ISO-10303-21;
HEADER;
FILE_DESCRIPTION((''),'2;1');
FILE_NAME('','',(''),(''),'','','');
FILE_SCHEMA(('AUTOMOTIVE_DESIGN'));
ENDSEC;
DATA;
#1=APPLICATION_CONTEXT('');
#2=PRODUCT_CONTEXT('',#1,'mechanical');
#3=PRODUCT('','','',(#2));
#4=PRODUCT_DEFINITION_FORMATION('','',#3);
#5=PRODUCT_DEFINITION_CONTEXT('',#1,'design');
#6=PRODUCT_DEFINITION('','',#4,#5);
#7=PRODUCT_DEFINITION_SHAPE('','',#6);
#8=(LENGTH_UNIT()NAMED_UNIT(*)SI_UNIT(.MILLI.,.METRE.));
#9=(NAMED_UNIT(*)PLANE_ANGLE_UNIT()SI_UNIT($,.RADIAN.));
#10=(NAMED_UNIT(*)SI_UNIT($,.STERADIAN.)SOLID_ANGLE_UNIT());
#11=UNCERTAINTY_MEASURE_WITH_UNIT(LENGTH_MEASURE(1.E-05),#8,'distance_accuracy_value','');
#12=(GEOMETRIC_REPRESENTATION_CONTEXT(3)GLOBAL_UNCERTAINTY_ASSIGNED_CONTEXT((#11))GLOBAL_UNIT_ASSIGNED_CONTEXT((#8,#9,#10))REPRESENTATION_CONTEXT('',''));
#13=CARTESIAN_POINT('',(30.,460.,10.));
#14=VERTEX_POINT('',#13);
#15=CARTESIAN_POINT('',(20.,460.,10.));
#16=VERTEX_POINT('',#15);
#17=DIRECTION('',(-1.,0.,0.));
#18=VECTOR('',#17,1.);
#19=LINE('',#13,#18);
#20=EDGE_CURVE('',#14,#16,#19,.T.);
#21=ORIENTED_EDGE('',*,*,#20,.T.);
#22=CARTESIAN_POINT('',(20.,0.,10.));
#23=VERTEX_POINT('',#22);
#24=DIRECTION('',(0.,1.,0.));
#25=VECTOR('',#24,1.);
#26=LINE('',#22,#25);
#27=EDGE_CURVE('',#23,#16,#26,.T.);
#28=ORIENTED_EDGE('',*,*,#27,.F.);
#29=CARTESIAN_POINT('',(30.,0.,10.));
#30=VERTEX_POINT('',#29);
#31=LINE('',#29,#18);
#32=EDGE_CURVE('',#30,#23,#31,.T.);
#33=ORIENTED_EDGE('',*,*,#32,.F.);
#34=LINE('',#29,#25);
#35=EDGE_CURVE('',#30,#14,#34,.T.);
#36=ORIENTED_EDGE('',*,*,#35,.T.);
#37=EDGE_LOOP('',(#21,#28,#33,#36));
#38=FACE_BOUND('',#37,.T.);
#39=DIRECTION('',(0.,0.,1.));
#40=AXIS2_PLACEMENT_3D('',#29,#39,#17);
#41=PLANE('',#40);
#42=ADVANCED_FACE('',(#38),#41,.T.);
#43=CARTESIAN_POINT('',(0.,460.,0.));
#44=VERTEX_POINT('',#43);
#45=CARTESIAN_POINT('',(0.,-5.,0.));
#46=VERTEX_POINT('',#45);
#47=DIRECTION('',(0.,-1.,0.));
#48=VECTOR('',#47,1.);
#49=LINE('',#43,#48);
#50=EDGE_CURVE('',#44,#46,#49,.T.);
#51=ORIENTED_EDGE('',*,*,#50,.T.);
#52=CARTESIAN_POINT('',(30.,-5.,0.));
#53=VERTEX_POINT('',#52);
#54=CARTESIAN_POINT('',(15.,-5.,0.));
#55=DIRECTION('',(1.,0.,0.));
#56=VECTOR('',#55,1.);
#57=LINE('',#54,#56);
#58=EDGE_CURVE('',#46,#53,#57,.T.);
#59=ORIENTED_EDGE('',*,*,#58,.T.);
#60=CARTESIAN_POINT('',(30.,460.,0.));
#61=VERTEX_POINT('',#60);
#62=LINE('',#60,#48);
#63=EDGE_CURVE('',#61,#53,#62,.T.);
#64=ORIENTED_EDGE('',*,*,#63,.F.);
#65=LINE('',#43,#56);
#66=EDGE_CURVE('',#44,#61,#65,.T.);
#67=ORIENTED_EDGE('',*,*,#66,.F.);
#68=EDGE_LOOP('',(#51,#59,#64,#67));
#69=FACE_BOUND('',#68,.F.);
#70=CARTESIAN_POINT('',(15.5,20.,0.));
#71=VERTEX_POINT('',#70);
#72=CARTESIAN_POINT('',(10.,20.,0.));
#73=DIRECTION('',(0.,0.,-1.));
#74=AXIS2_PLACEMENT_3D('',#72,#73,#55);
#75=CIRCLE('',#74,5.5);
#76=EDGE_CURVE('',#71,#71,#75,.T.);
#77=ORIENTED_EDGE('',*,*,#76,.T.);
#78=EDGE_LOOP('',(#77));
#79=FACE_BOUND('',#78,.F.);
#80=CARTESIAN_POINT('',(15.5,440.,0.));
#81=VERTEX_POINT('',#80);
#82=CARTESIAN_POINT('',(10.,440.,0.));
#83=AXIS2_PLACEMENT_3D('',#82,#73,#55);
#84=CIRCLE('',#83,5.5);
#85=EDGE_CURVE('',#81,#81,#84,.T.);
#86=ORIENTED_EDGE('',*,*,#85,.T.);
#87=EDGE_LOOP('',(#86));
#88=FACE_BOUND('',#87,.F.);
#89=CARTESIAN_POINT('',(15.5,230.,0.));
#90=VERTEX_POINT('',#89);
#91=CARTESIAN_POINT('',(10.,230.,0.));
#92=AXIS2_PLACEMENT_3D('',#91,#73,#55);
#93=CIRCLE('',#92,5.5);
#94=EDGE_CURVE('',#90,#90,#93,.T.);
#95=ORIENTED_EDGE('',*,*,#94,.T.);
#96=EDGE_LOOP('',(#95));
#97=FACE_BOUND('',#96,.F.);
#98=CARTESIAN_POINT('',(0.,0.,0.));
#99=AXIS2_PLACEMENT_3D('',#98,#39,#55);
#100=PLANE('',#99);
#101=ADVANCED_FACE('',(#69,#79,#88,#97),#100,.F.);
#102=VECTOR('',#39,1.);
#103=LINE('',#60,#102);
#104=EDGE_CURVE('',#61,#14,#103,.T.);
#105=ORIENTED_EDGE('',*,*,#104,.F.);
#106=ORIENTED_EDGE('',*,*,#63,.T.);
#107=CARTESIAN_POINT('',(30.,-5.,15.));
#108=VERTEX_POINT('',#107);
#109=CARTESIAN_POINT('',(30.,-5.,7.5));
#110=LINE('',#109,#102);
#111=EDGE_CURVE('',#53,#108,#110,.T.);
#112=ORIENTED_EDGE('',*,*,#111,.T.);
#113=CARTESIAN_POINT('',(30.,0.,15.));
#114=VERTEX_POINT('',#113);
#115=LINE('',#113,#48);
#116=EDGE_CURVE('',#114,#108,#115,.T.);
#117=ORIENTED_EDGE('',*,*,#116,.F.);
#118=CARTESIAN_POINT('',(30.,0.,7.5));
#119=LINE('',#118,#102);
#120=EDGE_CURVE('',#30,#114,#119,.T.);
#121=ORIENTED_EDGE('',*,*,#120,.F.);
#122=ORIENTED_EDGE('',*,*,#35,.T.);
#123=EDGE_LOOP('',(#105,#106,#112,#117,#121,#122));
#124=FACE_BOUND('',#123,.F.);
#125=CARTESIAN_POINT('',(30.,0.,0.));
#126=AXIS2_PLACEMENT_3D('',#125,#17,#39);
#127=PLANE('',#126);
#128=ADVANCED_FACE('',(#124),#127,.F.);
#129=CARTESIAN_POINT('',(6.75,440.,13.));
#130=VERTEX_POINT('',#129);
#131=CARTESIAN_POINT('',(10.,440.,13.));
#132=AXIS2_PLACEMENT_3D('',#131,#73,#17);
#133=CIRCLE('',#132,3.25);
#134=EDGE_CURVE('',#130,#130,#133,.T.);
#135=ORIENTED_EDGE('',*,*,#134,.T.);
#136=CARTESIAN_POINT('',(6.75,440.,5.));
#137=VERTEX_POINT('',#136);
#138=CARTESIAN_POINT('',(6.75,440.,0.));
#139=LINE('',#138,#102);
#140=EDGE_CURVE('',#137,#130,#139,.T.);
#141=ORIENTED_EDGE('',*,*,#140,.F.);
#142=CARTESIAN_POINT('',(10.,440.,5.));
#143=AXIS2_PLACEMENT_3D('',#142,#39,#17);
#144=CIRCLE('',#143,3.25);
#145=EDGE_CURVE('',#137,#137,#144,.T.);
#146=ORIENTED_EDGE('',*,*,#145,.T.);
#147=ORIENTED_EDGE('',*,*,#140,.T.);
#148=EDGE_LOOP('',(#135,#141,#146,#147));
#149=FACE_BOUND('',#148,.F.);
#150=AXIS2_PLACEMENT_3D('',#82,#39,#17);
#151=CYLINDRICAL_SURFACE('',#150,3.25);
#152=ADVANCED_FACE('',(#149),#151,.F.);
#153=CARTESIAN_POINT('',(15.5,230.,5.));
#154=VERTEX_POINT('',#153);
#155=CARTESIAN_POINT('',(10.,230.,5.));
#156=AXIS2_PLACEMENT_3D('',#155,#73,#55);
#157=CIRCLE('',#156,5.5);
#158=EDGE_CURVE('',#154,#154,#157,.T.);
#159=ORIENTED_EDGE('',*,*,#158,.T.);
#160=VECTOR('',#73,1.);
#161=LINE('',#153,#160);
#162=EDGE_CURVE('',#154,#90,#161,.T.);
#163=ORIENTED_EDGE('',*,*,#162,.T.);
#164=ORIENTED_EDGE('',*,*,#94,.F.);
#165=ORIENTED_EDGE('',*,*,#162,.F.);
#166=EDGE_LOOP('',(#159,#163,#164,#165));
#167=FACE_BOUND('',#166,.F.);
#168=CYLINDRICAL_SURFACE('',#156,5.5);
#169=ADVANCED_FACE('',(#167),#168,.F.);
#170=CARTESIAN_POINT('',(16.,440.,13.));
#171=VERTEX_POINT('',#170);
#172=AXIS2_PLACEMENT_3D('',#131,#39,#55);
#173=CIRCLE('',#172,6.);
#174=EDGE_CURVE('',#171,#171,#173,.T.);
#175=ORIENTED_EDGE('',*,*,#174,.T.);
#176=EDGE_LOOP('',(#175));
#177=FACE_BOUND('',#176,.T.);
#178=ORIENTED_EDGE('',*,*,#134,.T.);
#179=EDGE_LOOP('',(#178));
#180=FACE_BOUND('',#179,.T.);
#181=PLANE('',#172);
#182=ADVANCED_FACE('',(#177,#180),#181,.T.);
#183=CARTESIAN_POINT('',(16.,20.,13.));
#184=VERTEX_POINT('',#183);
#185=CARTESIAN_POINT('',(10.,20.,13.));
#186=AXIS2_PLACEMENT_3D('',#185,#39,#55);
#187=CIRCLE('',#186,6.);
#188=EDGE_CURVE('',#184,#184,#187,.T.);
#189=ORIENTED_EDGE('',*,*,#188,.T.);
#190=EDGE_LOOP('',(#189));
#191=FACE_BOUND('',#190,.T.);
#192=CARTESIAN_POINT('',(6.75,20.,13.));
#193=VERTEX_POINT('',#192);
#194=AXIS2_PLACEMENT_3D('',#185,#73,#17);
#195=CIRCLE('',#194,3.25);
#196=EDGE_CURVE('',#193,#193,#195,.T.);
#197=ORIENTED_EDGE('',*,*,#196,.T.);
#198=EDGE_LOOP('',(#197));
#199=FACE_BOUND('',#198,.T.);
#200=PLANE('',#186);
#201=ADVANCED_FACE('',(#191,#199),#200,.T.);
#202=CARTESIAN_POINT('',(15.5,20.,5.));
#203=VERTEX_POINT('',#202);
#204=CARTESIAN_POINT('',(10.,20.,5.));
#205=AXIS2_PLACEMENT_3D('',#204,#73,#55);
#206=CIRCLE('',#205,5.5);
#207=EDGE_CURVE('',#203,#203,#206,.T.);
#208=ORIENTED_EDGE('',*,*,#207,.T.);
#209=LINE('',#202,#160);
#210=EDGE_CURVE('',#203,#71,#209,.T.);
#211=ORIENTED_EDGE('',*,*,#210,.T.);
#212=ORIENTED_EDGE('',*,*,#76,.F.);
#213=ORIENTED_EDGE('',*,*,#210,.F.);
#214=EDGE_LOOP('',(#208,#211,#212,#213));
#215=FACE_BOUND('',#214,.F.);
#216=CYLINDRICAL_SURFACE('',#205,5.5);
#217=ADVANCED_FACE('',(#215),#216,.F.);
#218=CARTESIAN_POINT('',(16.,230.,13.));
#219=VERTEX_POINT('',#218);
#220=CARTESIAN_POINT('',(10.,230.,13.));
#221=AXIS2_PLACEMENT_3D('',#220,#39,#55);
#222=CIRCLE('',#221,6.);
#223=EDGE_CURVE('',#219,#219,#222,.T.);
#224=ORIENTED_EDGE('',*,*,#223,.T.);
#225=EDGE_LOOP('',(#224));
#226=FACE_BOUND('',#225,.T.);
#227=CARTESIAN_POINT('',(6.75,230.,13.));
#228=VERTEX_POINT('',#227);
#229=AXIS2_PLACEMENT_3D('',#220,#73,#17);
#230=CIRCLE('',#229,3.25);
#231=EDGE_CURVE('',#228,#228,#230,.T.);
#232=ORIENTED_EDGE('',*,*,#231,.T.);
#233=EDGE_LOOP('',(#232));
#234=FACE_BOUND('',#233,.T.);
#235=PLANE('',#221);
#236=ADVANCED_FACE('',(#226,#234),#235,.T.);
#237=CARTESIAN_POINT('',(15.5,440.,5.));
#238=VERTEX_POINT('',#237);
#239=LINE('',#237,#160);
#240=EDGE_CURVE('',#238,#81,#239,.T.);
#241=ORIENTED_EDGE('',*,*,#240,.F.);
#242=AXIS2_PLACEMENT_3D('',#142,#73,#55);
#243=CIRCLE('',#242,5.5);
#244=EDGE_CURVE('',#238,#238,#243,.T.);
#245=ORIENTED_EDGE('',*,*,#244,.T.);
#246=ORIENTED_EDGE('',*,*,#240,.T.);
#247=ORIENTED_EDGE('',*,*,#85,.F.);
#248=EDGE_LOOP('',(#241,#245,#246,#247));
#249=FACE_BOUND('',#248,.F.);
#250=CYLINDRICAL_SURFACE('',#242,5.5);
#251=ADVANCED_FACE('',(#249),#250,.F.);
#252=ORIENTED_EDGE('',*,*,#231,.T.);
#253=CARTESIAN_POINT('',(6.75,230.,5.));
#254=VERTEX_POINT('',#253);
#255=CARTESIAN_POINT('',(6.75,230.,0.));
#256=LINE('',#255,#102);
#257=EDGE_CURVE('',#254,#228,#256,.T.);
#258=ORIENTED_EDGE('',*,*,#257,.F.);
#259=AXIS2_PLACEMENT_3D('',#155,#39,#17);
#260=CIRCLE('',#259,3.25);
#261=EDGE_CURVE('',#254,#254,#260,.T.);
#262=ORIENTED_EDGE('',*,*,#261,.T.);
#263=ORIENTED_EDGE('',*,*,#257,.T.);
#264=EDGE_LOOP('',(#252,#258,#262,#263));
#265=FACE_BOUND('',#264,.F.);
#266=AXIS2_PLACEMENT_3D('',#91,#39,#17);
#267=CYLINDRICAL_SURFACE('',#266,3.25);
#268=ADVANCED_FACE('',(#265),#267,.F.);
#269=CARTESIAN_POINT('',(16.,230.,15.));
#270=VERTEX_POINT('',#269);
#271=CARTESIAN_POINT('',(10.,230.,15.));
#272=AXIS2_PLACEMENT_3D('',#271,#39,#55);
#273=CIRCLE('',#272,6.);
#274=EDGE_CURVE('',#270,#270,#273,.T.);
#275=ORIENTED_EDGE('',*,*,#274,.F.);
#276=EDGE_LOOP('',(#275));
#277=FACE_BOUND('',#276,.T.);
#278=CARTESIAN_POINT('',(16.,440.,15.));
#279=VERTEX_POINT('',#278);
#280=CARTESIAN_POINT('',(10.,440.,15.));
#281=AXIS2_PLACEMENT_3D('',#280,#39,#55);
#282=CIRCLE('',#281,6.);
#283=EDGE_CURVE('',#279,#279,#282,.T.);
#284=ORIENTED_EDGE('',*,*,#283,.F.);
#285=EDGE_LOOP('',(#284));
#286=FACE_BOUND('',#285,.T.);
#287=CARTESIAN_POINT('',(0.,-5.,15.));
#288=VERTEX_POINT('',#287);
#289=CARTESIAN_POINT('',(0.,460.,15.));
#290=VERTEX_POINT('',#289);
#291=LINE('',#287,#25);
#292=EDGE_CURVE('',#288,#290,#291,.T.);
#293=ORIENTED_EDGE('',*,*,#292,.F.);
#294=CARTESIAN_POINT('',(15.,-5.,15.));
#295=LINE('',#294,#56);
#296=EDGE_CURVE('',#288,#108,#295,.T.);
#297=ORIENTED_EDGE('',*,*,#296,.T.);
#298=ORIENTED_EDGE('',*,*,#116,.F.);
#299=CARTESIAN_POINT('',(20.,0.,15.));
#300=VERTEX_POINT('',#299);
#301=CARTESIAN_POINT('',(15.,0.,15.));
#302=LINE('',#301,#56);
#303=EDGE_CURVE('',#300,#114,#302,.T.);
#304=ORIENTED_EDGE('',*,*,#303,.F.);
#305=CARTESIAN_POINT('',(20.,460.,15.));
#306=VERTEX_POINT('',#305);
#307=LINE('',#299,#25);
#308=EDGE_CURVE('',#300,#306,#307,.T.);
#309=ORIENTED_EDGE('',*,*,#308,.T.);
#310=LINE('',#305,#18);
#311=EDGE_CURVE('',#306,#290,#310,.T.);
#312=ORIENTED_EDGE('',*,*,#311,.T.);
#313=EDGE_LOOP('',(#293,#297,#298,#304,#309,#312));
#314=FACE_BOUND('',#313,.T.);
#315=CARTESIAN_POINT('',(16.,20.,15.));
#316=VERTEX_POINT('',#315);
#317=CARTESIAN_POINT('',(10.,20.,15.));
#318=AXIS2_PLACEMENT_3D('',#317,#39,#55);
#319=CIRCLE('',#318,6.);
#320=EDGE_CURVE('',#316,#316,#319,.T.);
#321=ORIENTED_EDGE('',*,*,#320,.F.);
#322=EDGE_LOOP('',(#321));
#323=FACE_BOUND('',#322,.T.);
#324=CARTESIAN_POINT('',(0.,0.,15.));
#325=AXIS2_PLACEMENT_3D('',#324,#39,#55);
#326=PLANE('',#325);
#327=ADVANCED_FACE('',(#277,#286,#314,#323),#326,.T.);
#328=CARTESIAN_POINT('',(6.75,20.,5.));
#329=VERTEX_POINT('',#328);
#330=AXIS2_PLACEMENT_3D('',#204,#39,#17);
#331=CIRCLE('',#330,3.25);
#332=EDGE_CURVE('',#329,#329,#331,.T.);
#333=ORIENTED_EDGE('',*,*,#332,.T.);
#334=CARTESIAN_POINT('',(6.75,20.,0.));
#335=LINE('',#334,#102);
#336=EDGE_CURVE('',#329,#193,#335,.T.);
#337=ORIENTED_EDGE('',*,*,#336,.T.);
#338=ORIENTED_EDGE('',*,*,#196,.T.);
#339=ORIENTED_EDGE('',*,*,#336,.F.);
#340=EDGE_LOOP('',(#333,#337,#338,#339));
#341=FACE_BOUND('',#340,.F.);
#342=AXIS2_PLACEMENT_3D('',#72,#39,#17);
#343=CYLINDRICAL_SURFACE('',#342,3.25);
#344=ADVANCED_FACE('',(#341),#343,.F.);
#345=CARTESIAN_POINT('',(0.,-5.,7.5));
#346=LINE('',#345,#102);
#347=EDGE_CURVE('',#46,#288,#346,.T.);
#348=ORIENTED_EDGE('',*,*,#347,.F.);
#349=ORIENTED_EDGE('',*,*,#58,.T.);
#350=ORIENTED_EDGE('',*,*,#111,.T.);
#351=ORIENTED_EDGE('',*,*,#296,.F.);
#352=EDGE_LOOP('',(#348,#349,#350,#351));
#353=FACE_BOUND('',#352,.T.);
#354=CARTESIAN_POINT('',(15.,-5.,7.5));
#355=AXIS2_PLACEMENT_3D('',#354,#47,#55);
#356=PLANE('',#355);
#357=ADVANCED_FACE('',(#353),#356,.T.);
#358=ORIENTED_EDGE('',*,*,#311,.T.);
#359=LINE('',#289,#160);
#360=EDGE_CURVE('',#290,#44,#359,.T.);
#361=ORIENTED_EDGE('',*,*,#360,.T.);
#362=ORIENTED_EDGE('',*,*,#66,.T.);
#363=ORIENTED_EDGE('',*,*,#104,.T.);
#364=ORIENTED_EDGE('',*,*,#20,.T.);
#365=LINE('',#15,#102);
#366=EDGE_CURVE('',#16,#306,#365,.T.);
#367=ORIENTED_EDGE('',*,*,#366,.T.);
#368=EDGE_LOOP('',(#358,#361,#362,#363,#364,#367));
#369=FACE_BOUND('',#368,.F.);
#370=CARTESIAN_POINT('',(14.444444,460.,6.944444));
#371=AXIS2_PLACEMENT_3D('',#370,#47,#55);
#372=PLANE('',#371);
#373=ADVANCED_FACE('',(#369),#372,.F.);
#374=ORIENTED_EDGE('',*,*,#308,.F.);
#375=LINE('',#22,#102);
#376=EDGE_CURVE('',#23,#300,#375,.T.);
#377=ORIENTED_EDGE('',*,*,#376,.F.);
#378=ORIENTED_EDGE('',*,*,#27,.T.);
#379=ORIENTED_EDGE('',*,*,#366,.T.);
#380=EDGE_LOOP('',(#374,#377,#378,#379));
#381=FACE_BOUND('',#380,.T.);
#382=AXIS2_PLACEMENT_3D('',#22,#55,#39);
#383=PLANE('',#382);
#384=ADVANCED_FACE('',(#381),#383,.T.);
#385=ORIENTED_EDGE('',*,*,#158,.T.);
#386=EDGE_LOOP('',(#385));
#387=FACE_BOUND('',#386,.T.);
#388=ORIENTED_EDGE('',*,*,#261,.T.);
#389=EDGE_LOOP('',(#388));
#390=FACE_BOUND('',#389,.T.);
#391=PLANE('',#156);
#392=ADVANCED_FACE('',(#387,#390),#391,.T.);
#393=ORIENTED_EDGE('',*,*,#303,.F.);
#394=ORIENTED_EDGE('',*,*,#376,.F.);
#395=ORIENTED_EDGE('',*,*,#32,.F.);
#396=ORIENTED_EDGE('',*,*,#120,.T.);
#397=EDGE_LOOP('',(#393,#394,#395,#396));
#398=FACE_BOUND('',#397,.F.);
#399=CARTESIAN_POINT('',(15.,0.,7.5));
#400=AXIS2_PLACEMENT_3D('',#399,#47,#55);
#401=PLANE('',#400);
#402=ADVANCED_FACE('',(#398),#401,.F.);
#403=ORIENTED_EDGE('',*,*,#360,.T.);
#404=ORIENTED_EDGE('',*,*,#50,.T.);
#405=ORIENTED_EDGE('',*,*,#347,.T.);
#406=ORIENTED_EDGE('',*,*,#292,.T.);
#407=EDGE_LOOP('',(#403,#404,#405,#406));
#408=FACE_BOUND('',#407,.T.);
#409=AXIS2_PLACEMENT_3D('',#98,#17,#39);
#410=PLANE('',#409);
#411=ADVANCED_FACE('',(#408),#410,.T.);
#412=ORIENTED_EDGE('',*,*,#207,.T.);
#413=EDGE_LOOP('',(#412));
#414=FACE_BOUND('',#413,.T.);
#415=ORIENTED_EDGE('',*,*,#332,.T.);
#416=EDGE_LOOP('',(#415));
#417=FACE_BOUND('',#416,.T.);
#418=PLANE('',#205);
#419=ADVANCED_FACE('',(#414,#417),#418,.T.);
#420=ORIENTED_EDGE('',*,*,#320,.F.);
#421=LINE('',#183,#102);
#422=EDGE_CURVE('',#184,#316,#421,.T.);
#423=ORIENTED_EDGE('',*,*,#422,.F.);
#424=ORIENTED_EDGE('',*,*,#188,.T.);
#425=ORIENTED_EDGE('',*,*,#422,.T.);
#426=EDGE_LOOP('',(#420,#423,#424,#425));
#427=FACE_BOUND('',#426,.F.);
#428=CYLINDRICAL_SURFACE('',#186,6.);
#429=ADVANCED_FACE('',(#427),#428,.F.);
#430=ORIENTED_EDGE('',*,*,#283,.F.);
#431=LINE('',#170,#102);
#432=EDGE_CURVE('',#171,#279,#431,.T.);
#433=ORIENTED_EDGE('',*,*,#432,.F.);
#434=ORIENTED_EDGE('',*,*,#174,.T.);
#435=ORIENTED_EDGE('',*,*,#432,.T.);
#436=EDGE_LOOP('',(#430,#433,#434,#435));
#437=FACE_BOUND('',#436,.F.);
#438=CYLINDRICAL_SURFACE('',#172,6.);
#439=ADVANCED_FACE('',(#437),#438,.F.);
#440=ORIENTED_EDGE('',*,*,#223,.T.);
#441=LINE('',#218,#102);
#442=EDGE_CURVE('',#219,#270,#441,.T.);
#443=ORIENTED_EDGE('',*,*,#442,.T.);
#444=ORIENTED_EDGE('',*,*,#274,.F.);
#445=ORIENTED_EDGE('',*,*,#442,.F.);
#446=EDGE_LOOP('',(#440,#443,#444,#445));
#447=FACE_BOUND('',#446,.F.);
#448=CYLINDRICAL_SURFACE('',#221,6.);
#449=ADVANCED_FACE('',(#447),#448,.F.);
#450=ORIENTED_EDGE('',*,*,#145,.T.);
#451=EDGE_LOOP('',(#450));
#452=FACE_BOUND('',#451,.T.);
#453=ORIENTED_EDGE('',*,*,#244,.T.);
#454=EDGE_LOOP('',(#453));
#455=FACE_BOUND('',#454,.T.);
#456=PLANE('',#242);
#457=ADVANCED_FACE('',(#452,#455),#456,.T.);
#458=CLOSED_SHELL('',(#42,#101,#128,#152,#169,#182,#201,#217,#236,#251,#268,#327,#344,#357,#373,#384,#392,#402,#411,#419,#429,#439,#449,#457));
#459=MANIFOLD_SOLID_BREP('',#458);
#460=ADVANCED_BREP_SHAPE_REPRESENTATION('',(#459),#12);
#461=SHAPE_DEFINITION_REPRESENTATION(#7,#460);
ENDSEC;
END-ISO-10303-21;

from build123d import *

# Parameters (mm, degrees)
F1_DEPTH       = 460
F3_D           = 6.5
F3_DEPTH       = 15
F3_CBORE_D     = 11
F3_CBORE_DEPTH = 5
F5_D           = 6.5
F5_DEPTH       = 15
F5_CBORE_D     = 12
F5_CBORE_DEPTH = 2
F6_W           = 30
F6_H           = 15
F7_DEPTH       = 5


with BuildPart() as f1:
    # F0 (on Front) → F1 (new body)
    with BuildSketch(Plane.XZ):
        Polygon((0, 15), (0, 0), (30, 0), (30, 10), (20, 10), (20, 15), align=None)
    extrude(amount=-F1_DEPTH)

    # F3
    with Locations(Plane(origin=(0, 0, 0), x_dir=(1, 0, 0), z_dir=(0, 0, -1))):
        with Locations((10, -440), (10, -230), (10, -20)):
            CounterBoreHole(F3_D / 2, F3_CBORE_D / 2, F3_CBORE_DEPTH, depth=F3_DEPTH)

    # F5
    with Locations(Plane.XY.offset(15)):
        with Locations((10, 440), (10, 230), (10, 20)):
            CounterBoreHole(F5_D / 2, F5_CBORE_D / 2, F5_CBORE_DEPTH, depth=F5_DEPTH)

    # F6 (on face) → F7 (join)
    with BuildSketch(Plane.XZ):
        with Locations((15, 7.5)):
            Rectangle(F6_W, F6_H)
    extrude(amount=F7_DEPTH)


solid = f1.part
